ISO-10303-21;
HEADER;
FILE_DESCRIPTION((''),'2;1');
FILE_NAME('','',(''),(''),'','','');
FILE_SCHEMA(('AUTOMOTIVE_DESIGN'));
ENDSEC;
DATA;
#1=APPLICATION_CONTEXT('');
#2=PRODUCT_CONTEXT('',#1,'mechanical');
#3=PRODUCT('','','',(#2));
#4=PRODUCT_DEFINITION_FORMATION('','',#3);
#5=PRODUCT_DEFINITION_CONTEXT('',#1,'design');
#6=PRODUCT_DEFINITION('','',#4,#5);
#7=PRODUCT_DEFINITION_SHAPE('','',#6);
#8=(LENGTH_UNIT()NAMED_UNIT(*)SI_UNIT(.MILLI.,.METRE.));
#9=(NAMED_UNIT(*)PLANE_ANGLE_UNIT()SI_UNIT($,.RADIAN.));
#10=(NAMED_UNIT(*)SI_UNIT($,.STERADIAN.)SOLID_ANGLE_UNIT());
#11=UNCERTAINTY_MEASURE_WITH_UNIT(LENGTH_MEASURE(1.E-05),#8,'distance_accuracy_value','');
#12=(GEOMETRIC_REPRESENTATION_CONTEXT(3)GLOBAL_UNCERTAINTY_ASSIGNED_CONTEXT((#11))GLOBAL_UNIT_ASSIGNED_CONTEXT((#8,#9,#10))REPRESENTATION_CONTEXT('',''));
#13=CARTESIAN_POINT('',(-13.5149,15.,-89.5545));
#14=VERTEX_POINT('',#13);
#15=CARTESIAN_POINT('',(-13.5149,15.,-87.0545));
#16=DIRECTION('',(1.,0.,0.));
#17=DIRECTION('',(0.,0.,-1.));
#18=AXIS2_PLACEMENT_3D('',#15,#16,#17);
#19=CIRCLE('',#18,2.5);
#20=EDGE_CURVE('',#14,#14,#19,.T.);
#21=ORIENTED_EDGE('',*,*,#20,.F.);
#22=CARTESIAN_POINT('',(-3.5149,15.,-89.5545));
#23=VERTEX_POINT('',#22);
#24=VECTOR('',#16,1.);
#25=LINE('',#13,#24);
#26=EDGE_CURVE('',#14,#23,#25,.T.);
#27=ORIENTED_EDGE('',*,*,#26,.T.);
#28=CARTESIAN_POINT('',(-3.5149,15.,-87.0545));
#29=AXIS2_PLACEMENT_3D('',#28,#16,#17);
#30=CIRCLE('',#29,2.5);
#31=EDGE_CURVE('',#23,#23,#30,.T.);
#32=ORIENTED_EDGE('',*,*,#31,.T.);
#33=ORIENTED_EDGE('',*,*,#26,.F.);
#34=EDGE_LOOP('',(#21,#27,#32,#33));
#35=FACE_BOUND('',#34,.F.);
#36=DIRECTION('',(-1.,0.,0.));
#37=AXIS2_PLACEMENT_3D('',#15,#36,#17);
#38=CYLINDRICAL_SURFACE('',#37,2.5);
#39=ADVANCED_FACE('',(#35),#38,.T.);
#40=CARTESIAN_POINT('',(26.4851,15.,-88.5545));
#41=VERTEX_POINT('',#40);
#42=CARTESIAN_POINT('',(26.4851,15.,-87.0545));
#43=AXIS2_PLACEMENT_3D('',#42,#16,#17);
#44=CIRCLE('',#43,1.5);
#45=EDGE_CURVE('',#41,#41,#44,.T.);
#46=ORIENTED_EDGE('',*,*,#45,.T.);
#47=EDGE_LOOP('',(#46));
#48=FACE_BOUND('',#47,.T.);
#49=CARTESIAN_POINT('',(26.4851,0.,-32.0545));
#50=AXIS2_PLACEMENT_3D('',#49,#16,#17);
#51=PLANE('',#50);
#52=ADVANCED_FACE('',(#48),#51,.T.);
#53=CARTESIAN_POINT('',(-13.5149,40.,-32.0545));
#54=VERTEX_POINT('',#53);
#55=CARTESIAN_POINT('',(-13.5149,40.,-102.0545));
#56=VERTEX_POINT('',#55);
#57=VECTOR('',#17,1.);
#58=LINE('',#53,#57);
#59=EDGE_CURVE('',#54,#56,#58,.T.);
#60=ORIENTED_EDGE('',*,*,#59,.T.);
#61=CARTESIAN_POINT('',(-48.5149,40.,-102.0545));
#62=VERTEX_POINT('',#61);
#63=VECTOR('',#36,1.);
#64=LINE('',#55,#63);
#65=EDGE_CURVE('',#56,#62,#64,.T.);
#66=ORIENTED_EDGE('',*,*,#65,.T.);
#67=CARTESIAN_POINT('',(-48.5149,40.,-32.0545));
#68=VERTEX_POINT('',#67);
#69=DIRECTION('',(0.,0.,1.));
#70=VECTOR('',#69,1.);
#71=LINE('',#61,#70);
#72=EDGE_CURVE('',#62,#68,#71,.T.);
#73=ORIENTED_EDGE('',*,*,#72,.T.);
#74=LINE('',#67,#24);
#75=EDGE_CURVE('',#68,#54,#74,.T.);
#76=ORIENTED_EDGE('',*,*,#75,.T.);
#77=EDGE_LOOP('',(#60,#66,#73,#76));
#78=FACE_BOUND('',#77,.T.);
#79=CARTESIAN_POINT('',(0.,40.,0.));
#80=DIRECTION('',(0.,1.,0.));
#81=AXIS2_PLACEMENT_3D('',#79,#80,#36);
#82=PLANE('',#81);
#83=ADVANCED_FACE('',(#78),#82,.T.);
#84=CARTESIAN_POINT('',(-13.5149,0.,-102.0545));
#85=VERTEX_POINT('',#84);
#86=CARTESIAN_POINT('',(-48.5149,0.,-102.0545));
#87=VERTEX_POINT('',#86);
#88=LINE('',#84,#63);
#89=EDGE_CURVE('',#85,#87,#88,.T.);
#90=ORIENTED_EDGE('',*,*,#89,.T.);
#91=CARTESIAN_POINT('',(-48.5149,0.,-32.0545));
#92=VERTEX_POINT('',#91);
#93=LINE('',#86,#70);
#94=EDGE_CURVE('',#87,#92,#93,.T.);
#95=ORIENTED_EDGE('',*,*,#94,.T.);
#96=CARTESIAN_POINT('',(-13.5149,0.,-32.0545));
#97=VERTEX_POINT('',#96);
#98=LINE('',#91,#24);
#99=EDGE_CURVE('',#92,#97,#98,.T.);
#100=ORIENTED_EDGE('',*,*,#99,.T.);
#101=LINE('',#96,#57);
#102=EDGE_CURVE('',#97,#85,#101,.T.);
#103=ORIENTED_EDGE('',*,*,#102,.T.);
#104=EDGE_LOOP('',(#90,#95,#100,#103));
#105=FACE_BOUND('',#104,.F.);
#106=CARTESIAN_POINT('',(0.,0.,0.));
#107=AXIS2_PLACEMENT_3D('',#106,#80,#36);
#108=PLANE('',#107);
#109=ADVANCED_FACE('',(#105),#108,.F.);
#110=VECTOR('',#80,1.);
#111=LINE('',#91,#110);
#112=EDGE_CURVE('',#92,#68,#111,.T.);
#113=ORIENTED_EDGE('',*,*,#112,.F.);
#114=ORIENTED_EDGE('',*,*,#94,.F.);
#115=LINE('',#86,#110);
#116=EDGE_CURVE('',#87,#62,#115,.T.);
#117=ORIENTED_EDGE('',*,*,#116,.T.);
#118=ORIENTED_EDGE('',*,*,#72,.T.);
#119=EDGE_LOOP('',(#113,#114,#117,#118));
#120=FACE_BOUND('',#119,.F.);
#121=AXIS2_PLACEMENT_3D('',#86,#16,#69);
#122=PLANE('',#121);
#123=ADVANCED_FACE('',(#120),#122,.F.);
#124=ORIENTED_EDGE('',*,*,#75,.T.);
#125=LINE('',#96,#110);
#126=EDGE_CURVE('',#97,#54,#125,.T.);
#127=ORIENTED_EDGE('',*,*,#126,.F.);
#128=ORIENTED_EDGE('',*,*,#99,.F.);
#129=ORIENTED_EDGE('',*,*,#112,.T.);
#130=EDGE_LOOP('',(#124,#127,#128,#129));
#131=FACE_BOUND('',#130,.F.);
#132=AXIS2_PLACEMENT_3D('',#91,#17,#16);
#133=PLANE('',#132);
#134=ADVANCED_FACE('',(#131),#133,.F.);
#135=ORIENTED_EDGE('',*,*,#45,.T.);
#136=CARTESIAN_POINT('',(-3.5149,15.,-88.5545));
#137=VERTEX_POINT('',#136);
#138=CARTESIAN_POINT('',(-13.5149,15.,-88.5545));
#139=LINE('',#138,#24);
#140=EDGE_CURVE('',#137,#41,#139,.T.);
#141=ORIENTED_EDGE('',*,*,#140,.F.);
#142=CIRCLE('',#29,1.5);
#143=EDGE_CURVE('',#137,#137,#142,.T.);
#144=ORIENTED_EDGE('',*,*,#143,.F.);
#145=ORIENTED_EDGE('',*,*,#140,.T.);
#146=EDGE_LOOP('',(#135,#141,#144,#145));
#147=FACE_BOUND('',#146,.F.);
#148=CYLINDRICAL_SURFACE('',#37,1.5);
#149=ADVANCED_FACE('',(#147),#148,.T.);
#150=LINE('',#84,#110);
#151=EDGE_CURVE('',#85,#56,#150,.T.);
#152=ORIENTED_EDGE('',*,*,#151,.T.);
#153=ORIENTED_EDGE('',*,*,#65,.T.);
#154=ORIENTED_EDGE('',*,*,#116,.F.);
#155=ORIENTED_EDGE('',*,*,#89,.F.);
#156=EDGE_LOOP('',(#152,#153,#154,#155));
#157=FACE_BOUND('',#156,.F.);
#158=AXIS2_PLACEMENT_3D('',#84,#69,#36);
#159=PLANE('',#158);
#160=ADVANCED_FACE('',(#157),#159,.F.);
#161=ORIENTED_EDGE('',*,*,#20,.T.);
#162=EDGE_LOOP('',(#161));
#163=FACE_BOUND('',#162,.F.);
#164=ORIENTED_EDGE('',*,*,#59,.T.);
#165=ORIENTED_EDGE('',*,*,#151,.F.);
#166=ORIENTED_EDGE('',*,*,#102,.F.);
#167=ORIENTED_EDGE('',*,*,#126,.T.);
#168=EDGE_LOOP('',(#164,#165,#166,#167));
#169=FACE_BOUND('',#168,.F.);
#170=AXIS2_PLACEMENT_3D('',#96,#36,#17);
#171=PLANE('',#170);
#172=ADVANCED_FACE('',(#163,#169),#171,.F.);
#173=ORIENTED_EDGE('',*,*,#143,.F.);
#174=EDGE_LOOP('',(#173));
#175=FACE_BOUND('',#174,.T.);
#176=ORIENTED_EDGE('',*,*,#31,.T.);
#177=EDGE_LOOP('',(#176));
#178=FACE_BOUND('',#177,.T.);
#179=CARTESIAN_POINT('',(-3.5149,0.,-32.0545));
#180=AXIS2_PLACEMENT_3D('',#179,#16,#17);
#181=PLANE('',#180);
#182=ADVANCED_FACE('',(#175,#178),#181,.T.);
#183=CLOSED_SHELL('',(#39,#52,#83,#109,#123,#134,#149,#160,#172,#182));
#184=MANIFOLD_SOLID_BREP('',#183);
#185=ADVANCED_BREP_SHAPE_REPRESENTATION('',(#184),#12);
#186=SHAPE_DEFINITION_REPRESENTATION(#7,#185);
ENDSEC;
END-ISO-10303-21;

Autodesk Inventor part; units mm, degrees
ref_plane "YZ Plane" through (0, 0, 0) normal (1, 0, 0) x (0, 1, 0)
ref_plane "XZ Plane" through (0, 0, 0) normal (0, 1, 0) x (-1, 0, 0)
ref_plane "XY Plane" through (0, 0, 0) normal (0, 0, 1) x (1, 0, 0)
sketch "Skizze1" plane through (0, 0, 0) normal (0, 1, 0) x (-1, 0, 0)
  line L0 (48.5149, -32.0545) -> (13.5149, -32.0545)
  line L1 (13.5149, -32.0545) -> (13.5149, -102.0545)
  line L2 (13.5149, -102.0545) -> (48.5149, -102.0545)
  line L3 (48.5149, -102.0545) -> (48.5149, -32.0545)
  point P0 (0, 0)
  dimension "d0" = 70
  dimension "d1" = 35
extrude "Extrusion1" add sketch "Skizze1" along normal blind 40
sketch "Skizze2" plane through (-13.5149, 0, -32.0545) normal (1, 0, 0) x (0, 0, -1)
  circle A0 centre (55, 15) radius 1.5
  circle A1 centre (55, 15) radius 2.5
  line L0 (0, 0) -> (70, 0) projected
  line L1 (70, 0) -> (70, 40) projected
  point P0 (-32.0545, 0)
  dimension "d4" = 3
  dimension "d5" = 5
  dimension "d10" = 15
  dimension "d11" = 15
extrude "Extrusion2" add sketch "Skizze2" along normal blind 40 contours A0
extrude "Extrusion3" add sketch "Skizze2" along normal blind 10
properties part number "Motor_rechts"
